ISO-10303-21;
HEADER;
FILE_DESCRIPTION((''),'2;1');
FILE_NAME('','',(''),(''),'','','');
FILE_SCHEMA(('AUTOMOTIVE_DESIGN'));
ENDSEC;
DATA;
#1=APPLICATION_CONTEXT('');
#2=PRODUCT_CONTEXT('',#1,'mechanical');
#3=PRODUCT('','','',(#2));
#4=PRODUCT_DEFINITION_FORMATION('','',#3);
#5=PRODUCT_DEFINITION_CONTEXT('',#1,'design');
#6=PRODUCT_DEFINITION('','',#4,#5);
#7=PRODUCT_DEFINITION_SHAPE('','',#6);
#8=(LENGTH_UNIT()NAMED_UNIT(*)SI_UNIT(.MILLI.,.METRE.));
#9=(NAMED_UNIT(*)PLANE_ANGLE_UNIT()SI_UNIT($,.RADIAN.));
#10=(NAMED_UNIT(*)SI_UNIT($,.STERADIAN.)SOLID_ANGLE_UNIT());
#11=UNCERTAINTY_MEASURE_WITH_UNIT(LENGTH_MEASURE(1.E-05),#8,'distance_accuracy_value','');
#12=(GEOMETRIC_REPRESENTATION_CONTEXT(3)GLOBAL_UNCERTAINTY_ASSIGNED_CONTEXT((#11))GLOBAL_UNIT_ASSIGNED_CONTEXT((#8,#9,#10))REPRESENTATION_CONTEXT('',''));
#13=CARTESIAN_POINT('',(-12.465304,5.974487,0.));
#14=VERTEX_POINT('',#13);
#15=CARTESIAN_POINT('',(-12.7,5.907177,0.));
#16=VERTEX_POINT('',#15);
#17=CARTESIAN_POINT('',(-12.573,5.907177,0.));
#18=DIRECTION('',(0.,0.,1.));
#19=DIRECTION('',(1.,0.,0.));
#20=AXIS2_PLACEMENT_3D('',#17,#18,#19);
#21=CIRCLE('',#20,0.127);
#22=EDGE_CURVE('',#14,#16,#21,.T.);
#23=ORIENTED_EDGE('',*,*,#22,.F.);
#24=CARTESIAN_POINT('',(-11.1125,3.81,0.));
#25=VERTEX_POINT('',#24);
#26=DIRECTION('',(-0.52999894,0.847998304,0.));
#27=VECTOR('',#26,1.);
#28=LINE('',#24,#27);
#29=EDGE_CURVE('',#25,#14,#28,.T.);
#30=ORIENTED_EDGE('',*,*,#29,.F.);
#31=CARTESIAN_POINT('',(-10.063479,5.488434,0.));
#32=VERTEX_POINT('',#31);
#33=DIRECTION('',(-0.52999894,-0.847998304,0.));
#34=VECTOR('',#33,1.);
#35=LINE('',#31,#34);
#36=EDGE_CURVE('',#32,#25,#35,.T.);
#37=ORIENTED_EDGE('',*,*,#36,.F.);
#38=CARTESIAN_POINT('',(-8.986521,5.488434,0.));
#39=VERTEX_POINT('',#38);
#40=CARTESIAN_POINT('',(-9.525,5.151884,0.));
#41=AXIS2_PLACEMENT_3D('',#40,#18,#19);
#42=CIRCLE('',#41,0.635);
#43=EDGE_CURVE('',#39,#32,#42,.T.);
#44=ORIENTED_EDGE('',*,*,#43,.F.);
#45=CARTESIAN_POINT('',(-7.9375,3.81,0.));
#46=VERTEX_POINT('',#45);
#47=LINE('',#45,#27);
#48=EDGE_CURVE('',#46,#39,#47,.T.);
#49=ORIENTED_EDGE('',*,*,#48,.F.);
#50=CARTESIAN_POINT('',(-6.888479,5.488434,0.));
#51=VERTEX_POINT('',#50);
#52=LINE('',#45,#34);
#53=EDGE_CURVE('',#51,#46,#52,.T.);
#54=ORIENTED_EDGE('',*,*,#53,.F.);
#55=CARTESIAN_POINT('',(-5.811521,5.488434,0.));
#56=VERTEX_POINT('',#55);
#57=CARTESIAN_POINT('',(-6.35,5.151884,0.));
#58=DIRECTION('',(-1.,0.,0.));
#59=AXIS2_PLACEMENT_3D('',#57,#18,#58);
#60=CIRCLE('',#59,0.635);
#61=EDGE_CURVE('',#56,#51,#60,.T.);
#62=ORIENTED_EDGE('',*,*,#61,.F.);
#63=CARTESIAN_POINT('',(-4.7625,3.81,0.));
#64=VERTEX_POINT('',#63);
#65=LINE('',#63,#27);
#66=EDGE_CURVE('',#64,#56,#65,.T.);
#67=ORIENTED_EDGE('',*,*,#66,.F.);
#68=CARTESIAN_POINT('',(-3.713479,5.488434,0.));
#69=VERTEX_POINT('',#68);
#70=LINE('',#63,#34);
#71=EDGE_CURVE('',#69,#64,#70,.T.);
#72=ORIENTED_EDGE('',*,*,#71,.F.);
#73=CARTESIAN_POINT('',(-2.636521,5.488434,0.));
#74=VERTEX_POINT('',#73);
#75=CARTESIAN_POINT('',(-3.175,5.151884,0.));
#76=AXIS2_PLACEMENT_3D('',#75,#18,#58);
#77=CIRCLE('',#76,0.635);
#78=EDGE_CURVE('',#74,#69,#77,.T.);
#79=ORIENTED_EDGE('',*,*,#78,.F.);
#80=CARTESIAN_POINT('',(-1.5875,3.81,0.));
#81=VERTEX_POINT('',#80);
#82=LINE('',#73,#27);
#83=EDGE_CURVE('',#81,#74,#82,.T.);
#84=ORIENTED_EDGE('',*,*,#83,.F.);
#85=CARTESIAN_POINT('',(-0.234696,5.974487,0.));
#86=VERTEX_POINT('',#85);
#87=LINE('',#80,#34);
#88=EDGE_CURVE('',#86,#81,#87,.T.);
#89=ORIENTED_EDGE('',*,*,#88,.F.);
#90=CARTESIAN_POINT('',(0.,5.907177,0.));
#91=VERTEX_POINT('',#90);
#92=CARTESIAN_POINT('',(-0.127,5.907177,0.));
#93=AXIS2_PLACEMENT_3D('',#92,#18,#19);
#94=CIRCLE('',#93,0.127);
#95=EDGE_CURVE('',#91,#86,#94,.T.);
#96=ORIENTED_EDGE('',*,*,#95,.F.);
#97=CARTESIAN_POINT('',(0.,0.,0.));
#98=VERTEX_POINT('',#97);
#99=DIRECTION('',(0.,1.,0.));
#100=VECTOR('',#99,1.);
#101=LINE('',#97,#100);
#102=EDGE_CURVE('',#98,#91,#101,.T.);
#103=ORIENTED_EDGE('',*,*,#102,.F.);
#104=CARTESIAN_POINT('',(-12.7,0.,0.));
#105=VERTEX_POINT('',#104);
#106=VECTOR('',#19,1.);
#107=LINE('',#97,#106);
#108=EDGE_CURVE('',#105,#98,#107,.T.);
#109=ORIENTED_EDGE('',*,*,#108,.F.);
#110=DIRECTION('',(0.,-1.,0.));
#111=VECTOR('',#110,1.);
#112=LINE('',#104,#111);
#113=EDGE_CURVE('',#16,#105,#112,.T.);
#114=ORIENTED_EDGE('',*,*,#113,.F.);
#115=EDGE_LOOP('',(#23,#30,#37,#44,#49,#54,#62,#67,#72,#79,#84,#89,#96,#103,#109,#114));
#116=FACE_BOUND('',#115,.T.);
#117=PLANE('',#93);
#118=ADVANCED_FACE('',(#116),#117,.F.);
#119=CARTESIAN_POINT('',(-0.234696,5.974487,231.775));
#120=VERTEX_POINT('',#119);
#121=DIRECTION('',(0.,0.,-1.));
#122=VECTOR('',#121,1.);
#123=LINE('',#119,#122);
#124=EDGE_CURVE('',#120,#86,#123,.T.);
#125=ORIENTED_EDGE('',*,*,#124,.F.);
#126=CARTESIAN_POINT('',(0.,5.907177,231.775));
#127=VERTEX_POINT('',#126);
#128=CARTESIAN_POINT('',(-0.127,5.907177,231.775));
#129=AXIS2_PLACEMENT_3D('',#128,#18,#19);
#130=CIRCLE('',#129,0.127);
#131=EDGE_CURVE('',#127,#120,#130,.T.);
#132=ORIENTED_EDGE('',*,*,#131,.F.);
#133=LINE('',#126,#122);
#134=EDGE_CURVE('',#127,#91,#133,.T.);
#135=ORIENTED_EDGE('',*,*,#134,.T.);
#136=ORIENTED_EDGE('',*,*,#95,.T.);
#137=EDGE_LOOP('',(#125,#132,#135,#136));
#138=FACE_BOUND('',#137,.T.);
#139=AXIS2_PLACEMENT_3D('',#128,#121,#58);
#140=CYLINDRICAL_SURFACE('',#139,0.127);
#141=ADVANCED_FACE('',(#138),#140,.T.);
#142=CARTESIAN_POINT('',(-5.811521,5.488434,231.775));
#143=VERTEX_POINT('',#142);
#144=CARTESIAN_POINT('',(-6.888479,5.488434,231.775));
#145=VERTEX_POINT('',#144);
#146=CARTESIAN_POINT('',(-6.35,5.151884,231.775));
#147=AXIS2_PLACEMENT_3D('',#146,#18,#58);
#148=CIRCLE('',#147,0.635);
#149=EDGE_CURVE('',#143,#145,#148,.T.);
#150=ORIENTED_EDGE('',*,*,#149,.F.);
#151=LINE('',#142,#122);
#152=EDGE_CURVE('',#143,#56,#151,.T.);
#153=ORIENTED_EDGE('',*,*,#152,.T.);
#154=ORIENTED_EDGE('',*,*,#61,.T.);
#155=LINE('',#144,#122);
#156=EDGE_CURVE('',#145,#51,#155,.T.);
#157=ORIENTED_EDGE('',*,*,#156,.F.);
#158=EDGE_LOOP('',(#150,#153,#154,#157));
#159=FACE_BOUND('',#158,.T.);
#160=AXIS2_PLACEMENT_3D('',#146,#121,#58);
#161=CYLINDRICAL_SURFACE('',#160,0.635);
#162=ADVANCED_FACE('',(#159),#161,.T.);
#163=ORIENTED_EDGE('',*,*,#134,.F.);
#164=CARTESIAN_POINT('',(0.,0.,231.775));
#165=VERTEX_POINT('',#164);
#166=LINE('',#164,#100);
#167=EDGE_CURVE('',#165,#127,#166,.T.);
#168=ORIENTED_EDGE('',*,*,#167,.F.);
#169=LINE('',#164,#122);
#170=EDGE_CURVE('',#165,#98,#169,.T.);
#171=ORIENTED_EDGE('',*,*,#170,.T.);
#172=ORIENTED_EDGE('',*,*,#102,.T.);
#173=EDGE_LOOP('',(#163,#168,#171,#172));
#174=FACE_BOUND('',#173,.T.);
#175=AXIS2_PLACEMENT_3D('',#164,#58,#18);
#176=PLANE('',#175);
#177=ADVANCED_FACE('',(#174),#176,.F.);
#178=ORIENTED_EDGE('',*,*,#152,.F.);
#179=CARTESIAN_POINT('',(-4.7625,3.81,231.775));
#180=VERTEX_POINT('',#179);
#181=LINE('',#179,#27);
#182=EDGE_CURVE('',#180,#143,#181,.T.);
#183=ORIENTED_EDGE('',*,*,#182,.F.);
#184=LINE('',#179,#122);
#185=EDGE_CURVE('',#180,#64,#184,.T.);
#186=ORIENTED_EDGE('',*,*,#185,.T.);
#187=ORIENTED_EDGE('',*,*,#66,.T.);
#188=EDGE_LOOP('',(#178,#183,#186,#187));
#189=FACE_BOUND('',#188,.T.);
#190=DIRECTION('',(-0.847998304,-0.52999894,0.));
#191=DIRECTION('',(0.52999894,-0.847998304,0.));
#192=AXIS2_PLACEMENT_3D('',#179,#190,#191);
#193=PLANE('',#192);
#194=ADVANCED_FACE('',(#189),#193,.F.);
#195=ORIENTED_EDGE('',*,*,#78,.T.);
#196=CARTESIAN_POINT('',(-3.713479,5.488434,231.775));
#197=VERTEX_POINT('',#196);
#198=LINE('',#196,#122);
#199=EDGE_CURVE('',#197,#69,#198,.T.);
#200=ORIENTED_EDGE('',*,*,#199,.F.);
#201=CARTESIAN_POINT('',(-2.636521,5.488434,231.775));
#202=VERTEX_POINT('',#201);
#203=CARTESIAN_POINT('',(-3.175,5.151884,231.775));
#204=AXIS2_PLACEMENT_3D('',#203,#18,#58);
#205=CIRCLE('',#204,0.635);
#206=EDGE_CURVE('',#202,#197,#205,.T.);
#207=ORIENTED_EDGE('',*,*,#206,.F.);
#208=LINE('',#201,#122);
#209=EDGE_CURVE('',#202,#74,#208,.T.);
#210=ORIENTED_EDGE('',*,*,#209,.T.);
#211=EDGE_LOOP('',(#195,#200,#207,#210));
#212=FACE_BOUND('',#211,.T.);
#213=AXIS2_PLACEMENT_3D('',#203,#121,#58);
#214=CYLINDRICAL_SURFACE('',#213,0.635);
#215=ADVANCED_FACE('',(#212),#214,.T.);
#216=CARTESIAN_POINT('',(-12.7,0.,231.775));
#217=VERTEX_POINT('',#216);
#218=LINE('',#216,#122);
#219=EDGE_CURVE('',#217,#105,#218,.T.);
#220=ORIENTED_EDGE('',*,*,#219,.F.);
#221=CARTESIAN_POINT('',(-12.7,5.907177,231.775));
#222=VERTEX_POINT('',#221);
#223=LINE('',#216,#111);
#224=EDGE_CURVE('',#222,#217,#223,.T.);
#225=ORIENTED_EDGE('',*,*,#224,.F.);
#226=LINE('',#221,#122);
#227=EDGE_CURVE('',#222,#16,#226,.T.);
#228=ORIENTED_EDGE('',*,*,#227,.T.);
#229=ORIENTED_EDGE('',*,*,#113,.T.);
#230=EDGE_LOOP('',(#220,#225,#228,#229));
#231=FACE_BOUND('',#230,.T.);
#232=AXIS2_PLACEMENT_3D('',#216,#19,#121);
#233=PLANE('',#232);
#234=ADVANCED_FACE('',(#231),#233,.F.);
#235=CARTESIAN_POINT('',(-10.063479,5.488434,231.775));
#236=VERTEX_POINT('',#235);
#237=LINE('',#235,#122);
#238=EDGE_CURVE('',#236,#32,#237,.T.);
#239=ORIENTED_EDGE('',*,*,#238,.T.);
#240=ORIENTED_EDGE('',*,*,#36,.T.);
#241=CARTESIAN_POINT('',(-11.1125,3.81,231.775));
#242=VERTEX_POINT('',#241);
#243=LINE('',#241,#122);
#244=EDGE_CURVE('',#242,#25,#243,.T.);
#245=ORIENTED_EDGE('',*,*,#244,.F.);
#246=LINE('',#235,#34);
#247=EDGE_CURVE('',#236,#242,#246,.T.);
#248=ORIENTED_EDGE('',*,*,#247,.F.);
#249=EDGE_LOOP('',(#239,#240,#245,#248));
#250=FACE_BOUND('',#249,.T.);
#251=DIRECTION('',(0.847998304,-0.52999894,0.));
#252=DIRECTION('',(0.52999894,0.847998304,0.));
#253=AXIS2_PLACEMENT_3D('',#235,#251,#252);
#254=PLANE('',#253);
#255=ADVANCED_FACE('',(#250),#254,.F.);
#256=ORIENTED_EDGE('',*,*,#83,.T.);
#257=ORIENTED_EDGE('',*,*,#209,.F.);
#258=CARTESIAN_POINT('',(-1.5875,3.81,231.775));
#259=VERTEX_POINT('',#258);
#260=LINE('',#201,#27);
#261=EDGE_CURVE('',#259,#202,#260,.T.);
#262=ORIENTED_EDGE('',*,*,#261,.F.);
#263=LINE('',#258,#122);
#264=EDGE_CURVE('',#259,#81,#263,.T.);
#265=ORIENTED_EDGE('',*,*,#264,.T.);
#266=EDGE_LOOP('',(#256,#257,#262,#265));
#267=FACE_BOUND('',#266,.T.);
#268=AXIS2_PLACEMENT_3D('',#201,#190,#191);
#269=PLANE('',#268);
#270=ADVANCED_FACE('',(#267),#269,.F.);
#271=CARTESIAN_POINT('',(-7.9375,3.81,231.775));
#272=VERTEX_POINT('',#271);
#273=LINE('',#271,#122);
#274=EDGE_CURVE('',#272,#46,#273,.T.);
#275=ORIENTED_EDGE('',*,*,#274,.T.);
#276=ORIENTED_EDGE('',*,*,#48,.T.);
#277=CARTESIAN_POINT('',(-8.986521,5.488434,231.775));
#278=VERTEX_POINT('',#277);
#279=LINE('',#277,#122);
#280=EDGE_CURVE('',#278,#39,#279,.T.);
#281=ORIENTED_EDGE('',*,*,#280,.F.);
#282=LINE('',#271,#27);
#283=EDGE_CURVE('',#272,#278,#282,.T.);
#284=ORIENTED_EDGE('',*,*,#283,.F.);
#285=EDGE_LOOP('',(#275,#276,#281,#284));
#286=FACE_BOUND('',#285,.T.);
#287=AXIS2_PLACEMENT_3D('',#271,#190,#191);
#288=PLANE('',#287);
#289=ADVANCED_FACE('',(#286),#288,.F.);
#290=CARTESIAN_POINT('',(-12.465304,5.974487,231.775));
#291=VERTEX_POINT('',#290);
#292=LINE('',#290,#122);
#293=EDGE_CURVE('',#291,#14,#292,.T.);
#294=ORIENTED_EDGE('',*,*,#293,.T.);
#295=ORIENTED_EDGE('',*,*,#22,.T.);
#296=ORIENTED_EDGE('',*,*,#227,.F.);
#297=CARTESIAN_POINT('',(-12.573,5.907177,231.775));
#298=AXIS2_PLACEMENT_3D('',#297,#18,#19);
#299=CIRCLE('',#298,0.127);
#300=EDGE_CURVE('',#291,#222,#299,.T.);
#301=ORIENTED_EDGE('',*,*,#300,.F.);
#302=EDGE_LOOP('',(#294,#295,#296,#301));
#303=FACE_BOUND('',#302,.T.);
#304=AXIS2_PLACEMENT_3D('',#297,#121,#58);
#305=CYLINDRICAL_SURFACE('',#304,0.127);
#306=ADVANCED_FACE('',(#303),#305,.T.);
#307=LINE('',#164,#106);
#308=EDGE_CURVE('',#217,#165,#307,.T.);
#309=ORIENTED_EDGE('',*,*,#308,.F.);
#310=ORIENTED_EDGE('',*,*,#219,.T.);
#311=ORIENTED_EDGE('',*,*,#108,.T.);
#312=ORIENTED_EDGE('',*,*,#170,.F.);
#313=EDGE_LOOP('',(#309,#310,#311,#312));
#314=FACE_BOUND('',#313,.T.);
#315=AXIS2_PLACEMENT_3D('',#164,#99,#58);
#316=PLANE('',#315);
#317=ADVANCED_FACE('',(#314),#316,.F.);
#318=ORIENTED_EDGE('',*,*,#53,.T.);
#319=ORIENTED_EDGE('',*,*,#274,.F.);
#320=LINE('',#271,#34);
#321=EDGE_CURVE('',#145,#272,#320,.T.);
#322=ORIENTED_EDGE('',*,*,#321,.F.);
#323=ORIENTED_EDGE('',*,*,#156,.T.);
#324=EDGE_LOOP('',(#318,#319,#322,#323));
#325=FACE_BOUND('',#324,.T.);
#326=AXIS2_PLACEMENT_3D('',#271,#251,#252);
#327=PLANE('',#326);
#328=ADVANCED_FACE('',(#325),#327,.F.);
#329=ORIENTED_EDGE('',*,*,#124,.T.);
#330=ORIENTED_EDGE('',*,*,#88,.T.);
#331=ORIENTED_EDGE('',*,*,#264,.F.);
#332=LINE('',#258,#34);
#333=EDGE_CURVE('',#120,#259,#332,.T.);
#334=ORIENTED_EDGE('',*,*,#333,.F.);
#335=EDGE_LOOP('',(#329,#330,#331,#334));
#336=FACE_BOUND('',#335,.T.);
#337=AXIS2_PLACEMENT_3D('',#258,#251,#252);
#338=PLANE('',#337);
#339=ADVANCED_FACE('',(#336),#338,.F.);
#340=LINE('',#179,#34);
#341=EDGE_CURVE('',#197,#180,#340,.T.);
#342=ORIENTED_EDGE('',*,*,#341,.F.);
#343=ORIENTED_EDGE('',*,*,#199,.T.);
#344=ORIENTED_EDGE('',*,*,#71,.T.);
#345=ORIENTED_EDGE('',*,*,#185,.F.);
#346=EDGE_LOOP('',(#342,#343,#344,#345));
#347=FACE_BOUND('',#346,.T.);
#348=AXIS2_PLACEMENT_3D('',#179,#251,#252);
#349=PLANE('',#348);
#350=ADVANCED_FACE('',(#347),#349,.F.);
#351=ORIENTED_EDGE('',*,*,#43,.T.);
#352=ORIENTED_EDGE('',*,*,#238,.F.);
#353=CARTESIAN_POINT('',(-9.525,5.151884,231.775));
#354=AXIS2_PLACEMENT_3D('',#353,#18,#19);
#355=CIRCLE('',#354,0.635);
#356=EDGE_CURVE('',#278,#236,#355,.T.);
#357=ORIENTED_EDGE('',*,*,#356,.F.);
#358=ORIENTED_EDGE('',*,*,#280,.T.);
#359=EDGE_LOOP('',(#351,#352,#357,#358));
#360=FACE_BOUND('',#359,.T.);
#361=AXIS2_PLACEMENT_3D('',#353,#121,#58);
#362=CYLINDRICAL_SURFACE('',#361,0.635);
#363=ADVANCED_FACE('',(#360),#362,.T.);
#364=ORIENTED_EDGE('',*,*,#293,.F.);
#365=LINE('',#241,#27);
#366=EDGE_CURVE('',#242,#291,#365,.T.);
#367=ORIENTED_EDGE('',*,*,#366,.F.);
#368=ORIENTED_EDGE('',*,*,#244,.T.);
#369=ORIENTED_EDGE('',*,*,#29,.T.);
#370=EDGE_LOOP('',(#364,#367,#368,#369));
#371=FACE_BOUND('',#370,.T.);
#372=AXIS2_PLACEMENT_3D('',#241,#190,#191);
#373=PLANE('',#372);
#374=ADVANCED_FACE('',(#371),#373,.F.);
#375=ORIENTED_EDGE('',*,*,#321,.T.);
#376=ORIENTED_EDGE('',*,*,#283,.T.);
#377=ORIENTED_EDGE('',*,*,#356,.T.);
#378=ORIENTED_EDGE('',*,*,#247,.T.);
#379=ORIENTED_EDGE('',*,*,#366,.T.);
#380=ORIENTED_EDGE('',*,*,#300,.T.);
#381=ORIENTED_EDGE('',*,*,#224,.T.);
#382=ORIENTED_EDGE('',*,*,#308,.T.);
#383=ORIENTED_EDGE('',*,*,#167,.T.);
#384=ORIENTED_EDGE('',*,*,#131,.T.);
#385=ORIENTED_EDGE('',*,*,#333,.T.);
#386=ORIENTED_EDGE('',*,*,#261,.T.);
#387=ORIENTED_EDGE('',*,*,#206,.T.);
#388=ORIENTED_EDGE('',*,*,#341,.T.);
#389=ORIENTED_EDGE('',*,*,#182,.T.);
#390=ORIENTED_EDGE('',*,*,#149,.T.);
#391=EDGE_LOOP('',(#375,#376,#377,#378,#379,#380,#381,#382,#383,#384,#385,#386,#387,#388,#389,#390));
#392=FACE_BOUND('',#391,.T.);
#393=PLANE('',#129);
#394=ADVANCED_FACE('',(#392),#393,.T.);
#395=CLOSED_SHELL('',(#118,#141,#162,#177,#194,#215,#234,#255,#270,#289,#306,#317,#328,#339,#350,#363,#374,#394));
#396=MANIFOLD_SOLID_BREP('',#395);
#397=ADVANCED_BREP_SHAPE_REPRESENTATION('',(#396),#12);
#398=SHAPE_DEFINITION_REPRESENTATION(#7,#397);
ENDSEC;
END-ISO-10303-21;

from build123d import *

# Parameters (mm, degrees)
BOSS_EXTRUDE1_DEPTH = 231.775


with BuildPart() as part:
    # Sketch1 → Boss-Extrude1 (new body)
    with BuildSketch(Plane.XY):
        with BuildLine():
            Line((0, 0), (-12.7, 0))
            Line((-12.7, 0), (-12.7, 5.907176879))
            ThreePointArc((-12.7, 5.907176879), (-12.608011679, 6.02925547), (-12.465304215, 5.974486745))
            Line((-12.465304215, 5.974486745), (-11.1125, 3.81))
            Line((-11.1125, 3.81), (-10.063478923, 5.488433723))
            ThreePointArc((-10.063478923, 5.488433723), (-9.525, 5.786884396), (-8.986521077, 5.488433723))
            Line((-8.986521077, 5.488433723), (-7.9375, 3.81))
            Line((-7.9375, 3.81), (-6.888478923, 5.488433723))
            ThreePointArc((-6.888478923, 5.488433723), (-6.35, 5.786884396), (-5.811521077, 5.488433723))
            Line((-5.811521077, 5.488433723), (-4.7625, 3.81))
            Line((-4.7625, 3.81), (-3.713478923, 5.488433723))
            ThreePointArc((-3.713478923, 5.488433723), (-3.175, 5.786884396), (-2.636521077, 5.488433723))
            Line((-2.636521077, 5.488433723), (-1.5875, 3.81))
            Line((-1.5875, 3.81), (-0.234695785, 5.974486745))
            ThreePointArc((-0.234695785, 5.974486745), (-0.091988321, 6.02925547), (0, 5.907176879))
            Line((0, 5.907176879), (0, 0))
        make_face()
    extrude(amount=BOSS_EXTRUDE1_DEPTH)


solid = part.part
